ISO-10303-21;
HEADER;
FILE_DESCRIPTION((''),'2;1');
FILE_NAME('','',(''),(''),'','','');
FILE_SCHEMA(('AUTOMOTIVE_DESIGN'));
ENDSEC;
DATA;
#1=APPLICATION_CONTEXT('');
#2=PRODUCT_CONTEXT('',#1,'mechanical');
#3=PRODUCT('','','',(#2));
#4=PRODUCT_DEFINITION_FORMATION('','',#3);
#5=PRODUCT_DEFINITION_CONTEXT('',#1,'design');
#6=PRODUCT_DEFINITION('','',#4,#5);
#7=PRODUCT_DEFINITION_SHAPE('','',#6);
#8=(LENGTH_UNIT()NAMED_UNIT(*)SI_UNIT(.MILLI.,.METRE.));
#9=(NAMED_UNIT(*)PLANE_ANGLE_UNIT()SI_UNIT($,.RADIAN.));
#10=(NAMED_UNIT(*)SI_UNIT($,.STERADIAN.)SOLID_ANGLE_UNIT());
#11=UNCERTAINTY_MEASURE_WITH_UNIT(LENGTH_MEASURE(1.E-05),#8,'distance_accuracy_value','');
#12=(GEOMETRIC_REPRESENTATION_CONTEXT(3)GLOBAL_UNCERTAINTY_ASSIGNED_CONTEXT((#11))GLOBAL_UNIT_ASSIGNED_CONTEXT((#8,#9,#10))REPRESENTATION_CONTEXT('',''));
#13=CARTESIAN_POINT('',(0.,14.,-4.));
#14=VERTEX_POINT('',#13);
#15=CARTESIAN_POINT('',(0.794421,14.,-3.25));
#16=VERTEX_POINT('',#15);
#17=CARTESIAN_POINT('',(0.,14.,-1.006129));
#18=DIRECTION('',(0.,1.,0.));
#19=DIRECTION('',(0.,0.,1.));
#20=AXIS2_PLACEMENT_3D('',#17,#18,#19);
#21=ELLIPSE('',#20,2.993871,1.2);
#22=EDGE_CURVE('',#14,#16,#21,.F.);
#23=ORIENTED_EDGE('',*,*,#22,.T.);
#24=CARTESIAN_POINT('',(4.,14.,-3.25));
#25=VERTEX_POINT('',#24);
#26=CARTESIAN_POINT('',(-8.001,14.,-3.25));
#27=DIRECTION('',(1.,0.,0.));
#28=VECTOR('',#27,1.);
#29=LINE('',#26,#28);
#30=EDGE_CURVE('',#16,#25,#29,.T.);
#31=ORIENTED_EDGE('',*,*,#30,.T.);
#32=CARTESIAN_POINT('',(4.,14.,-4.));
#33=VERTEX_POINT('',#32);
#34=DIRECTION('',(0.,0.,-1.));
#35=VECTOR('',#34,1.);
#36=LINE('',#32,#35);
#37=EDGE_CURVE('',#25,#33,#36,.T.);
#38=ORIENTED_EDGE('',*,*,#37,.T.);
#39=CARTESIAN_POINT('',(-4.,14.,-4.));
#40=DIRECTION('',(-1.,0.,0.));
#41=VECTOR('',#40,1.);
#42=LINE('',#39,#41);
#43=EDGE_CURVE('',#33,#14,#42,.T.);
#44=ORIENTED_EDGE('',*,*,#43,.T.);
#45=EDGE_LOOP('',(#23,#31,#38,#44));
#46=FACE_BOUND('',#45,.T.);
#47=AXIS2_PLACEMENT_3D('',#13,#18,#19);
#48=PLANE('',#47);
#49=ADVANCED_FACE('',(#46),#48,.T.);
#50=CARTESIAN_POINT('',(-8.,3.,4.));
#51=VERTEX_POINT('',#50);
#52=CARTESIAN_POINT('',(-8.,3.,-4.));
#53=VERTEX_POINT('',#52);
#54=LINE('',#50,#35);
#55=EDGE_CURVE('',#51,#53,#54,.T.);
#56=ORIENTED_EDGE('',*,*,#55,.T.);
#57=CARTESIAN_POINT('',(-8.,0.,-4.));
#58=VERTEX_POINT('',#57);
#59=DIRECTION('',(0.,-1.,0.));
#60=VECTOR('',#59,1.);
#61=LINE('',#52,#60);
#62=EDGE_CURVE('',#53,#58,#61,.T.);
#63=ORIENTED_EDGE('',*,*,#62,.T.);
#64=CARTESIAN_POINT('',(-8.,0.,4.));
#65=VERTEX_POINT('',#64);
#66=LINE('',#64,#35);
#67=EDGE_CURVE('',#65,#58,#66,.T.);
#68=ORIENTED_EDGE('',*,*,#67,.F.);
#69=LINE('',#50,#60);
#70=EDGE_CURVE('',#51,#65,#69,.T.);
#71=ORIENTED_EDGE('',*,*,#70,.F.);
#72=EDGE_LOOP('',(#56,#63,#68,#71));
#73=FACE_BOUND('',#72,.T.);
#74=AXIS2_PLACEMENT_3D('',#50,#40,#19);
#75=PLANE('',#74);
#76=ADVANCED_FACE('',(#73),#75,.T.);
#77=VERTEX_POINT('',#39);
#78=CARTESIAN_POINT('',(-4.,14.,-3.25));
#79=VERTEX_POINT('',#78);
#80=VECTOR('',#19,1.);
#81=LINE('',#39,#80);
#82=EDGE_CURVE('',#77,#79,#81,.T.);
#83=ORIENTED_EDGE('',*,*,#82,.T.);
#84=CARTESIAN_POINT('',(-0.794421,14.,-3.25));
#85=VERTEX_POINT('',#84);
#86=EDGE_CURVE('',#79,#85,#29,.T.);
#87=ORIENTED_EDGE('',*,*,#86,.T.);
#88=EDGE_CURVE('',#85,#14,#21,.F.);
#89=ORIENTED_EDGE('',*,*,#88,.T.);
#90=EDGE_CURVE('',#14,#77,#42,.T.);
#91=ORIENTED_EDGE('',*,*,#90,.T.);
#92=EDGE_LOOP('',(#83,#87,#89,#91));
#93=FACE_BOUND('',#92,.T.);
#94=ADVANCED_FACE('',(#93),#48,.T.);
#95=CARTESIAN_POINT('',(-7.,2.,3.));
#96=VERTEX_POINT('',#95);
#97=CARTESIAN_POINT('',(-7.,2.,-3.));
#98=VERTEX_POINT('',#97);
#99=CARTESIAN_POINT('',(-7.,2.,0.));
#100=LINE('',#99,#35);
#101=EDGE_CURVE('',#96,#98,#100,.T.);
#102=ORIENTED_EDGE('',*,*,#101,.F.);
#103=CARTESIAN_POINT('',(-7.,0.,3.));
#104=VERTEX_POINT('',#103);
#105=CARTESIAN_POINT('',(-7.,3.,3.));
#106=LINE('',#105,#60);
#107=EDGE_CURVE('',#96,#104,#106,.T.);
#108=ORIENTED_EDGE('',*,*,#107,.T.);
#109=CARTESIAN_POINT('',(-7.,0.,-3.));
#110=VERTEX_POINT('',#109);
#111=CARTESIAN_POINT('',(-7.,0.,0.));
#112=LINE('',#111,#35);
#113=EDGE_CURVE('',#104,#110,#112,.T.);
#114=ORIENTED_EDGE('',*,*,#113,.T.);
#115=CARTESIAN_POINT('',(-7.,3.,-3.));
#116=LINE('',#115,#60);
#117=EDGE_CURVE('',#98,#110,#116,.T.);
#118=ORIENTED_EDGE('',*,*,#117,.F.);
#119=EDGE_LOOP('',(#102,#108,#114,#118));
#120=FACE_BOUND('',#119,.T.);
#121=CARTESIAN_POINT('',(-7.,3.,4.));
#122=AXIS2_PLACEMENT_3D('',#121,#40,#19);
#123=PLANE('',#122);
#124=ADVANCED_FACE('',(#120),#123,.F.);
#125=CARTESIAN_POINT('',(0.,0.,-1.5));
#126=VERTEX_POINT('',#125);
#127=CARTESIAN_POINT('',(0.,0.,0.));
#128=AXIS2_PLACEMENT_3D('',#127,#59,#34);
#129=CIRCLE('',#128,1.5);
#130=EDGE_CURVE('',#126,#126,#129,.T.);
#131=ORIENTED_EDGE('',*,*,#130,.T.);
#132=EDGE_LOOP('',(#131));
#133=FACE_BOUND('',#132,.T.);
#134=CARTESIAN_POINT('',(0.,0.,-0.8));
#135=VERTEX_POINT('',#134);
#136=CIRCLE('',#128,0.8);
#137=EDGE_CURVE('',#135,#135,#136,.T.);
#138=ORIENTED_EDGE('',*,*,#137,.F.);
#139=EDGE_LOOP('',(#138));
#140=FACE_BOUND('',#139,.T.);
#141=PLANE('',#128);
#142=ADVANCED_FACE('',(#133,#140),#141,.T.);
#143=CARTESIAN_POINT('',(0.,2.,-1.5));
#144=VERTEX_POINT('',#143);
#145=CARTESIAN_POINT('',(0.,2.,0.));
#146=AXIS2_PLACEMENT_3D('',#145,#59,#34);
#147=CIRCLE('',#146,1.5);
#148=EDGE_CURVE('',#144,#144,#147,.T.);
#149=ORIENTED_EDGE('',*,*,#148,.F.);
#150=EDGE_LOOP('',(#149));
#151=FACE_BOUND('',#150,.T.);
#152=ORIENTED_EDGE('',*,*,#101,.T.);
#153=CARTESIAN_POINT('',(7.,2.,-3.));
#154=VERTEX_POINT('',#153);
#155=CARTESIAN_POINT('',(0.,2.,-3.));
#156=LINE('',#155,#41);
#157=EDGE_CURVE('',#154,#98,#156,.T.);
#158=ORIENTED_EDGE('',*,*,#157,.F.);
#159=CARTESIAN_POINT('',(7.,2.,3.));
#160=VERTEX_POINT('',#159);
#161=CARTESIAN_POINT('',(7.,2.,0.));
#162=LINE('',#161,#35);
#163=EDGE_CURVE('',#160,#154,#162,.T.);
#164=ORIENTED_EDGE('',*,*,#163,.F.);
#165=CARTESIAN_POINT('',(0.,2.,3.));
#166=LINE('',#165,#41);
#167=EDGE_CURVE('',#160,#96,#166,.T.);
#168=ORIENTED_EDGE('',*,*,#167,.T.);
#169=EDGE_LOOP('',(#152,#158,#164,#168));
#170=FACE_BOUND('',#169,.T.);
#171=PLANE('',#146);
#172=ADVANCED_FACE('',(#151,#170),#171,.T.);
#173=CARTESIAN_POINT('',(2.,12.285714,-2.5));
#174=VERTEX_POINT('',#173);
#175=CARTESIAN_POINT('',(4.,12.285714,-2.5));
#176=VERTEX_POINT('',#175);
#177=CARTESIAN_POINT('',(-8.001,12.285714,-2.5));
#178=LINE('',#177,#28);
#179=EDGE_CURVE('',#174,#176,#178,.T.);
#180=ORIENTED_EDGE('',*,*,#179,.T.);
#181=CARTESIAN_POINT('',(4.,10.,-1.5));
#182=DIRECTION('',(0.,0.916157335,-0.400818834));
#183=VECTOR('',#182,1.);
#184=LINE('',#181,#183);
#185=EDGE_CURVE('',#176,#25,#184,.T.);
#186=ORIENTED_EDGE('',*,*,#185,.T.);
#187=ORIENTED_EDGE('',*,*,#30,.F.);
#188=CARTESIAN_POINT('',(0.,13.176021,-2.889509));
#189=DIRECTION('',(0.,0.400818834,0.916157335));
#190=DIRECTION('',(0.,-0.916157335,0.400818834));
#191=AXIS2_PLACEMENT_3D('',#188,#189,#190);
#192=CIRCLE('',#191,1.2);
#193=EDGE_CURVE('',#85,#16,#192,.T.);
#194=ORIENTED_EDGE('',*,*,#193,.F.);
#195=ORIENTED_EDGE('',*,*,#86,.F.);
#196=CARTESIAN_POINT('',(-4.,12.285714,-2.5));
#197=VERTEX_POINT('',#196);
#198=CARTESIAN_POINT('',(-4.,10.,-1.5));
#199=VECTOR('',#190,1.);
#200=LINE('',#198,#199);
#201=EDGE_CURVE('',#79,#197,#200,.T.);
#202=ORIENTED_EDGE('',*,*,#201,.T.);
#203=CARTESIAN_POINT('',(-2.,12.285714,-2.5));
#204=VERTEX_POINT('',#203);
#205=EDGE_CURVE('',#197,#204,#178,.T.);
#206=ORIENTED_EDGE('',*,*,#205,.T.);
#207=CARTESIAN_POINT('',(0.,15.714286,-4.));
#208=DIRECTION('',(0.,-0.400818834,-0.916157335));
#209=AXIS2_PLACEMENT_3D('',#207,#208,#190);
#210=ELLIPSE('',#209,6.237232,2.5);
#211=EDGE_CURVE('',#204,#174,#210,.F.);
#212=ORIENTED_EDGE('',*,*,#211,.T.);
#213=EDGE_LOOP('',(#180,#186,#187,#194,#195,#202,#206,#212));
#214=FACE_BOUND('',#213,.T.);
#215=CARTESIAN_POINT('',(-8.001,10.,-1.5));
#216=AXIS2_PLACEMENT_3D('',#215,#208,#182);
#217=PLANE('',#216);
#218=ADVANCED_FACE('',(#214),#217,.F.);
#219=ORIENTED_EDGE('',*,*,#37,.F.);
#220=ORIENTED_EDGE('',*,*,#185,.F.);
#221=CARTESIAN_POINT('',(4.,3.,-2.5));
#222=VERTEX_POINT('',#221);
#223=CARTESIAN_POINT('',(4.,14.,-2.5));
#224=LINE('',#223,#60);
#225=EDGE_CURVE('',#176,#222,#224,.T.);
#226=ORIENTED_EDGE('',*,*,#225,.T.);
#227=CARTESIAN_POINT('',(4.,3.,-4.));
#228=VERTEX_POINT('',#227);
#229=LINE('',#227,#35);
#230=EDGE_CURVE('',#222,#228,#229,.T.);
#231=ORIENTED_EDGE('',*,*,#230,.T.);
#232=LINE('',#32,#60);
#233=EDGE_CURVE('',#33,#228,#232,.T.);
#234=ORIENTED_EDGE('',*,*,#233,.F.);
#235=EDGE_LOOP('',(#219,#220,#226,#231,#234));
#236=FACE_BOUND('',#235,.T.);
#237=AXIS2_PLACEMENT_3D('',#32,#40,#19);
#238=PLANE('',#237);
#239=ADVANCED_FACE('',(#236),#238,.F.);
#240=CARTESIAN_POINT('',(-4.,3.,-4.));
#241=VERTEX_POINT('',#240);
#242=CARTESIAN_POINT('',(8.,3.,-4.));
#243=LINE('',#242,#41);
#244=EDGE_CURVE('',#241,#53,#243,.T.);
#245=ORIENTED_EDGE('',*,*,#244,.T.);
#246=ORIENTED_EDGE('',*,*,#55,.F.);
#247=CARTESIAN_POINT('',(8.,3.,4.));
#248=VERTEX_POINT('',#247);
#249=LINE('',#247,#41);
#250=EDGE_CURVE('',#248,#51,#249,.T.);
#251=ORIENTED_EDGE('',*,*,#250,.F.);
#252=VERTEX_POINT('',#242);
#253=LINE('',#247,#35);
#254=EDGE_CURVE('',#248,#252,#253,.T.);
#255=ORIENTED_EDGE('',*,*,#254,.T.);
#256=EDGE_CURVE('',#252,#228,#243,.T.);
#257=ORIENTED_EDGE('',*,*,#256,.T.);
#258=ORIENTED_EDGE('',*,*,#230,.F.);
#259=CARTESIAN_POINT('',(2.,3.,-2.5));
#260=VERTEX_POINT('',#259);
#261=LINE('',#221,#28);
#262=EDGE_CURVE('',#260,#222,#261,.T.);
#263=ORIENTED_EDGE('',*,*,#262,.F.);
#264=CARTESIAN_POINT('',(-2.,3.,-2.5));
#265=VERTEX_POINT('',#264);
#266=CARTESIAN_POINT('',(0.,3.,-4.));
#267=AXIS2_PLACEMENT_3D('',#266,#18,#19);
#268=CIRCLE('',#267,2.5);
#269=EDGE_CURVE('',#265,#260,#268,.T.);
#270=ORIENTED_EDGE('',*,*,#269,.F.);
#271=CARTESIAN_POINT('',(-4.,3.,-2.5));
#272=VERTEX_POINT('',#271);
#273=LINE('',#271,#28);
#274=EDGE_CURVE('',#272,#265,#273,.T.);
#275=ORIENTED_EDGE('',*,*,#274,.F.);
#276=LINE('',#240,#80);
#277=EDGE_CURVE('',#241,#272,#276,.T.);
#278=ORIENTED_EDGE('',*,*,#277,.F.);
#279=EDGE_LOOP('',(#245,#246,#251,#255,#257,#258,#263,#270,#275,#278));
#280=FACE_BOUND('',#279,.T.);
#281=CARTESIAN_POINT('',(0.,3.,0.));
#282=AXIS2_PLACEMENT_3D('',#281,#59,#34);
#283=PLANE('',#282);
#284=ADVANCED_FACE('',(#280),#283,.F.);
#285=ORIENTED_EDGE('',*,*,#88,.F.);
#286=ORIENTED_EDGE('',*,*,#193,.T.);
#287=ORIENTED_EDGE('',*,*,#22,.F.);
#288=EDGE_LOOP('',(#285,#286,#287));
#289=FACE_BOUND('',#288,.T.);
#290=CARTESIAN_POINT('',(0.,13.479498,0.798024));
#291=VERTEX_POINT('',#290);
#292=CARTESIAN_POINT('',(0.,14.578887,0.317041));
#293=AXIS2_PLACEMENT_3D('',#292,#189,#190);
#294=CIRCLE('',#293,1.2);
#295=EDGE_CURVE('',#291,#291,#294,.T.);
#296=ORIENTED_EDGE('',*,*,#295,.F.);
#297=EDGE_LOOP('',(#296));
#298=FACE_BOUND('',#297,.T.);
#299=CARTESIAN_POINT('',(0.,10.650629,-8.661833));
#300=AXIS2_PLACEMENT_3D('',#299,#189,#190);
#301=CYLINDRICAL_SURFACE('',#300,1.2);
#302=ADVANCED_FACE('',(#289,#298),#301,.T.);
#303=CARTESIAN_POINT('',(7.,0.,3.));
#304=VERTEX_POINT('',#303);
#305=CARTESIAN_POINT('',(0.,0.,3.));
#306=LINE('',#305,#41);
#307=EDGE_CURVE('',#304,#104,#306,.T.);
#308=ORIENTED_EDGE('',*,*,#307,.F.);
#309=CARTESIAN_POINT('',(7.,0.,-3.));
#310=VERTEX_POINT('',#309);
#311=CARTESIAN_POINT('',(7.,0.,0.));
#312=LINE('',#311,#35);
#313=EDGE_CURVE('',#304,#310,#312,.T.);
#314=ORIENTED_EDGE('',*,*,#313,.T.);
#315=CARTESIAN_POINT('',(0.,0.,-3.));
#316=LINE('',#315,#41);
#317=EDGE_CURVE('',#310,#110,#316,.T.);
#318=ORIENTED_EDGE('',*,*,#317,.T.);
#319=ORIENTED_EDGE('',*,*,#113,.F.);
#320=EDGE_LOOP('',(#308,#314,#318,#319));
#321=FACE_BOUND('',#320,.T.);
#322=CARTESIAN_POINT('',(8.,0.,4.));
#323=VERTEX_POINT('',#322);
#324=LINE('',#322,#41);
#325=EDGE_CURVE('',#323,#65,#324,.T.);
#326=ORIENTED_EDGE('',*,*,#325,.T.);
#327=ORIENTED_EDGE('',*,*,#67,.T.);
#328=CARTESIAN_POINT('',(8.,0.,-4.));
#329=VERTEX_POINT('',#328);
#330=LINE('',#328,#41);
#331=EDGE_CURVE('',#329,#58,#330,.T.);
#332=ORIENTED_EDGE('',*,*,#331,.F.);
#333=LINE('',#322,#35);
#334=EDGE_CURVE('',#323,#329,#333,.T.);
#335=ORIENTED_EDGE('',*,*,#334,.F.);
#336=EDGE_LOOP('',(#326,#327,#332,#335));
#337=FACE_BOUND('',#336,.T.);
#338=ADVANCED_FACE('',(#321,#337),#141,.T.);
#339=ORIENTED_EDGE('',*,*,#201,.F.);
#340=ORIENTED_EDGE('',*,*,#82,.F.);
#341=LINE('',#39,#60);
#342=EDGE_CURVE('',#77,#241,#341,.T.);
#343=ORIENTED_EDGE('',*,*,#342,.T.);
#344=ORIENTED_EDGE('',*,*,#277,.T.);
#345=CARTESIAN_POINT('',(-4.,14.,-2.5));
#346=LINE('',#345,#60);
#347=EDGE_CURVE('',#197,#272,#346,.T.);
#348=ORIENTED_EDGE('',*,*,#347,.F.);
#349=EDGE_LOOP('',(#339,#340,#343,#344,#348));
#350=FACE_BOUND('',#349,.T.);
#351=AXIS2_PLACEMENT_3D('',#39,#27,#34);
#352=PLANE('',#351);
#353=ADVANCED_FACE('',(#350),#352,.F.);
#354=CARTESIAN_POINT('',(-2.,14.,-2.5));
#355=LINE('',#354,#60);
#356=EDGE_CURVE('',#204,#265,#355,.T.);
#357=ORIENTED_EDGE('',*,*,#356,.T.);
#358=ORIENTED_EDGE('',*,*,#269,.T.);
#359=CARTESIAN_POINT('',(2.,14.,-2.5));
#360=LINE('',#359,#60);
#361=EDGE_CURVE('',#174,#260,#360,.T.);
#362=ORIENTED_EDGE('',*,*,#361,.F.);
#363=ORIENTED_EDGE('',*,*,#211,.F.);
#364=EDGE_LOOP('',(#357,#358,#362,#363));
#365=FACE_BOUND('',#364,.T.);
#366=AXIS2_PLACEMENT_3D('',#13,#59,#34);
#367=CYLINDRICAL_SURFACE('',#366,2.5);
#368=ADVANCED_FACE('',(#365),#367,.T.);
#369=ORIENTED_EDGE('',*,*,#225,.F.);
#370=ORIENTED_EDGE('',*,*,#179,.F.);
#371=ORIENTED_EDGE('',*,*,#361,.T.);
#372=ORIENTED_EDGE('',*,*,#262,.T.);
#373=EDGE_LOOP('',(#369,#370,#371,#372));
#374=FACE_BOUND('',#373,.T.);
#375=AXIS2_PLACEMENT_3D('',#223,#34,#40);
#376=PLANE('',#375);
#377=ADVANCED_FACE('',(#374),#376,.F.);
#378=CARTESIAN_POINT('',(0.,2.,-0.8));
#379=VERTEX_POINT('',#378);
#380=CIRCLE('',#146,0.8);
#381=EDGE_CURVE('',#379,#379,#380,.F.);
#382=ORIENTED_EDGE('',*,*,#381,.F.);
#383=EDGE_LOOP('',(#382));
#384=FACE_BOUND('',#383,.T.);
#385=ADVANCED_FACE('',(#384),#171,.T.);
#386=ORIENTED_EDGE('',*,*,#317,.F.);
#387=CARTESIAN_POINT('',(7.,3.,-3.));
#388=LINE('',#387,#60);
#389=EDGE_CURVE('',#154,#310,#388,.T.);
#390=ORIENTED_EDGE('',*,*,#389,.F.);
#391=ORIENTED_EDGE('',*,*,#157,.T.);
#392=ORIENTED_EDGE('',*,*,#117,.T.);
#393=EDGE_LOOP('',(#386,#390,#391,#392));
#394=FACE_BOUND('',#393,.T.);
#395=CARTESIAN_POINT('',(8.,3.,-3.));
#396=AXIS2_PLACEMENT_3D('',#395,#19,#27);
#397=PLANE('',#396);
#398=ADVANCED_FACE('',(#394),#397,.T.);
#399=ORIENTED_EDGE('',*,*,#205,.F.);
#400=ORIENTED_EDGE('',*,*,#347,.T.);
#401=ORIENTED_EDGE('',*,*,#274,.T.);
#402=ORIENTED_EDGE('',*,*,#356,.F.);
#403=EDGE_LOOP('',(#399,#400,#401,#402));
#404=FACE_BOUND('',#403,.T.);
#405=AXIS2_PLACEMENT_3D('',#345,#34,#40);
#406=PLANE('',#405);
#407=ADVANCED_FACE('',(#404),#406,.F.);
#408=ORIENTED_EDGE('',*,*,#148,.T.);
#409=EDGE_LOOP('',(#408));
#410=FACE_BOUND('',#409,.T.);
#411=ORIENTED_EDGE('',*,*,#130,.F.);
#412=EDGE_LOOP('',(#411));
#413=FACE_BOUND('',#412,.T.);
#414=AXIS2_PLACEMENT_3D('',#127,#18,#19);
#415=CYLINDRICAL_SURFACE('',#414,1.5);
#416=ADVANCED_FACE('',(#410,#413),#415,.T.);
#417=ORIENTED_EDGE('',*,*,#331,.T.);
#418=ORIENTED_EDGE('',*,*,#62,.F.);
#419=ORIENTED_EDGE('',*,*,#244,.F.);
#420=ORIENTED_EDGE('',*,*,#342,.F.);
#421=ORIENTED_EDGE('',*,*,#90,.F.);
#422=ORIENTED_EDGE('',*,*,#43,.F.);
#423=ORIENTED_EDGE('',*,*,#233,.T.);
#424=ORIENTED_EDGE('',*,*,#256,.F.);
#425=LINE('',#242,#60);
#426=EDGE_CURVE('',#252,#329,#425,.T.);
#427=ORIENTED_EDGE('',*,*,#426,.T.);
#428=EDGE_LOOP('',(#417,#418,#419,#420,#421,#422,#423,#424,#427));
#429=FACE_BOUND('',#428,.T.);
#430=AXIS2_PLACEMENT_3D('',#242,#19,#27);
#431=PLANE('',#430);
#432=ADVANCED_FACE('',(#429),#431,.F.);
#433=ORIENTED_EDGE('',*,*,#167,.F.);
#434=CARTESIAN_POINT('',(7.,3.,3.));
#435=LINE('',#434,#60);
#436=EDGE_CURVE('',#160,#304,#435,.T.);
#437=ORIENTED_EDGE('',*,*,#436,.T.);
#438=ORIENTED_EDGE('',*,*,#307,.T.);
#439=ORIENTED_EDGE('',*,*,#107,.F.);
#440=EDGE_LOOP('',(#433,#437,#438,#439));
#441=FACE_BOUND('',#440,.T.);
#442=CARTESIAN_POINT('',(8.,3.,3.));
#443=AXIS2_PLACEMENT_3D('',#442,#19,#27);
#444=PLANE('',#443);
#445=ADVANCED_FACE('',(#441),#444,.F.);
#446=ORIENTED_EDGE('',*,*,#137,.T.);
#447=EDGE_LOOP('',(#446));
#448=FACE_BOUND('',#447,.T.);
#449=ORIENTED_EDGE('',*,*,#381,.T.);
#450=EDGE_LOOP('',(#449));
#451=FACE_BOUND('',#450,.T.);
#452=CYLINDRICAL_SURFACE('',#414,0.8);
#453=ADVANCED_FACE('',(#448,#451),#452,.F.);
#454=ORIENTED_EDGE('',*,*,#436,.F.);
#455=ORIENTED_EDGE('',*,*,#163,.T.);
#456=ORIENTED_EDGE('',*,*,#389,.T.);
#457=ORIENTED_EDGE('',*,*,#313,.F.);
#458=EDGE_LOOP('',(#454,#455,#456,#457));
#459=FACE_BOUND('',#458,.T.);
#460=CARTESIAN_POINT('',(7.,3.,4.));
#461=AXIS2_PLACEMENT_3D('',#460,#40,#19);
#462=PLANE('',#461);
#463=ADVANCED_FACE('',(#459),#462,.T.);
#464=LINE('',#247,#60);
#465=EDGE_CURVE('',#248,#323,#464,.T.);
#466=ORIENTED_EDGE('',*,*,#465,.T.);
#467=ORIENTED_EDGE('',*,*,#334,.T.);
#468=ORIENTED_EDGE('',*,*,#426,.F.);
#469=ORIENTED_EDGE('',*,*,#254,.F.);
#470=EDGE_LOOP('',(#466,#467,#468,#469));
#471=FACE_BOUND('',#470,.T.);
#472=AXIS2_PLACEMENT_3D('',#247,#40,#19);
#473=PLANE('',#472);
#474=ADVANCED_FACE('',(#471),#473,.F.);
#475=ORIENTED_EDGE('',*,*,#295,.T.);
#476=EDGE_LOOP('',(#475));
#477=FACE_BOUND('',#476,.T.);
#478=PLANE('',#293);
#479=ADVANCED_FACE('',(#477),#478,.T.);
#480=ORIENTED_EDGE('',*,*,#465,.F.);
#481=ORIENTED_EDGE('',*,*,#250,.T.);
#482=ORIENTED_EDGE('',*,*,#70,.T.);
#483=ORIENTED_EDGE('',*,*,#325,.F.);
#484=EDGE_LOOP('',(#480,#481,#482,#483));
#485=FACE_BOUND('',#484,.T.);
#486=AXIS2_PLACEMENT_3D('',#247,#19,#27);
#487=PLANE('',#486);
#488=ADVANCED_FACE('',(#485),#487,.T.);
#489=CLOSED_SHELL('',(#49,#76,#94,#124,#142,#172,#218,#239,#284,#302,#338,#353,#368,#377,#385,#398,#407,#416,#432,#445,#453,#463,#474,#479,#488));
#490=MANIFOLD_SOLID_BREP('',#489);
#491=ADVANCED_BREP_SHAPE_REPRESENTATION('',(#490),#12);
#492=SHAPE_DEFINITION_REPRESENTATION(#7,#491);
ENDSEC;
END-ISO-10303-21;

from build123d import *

# Parameters (mm, degrees)
SKETCH1_W                       = 16
SKETCH1_H                       = 8
BOSS_EXTRUDE1_DEPTH             = 3
SHELL1_T                        = -1
SKETCH3_R                       = 1.5
SKETCH3_R_2                     = 0.8
BOSS_EXTRUDE2_DEPTH             = 2
BOSS_EXTRUDE3_DEPTH             = 11
CUT_EXTRUDE1_REACH              = 20.868
SKETCH6_R                       = 1.2
BOSS_EXTRUDE5_DEPTH             = 3.5
BOSS_EXTRUDE5_DIRECTION_2_REACH = 18.513


with BuildPart() as part:
    # Sketch1 → Boss-Extrude1 (new body)
    with BuildSketch(Plane(origin=(0, 0, 0), x_dir=(1, 0, 0), z_dir=(0, 1, 0))):
        Rectangle(SKETCH1_W, SKETCH1_H)
    extrude(amount=BOSS_EXTRUDE1_DEPTH)

    # Shell1
    shell1_openings = [part.faces().sort_by_distance(p)[0] for p in [
        (0, 0, 0),
    ]]
    offset(amount=SHELL1_T, openings=shell1_openings, kind=Kind.INTERSECTION)

    # Sketch3 → Boss-Extrude2 (add)
    with BuildSketch(Plane.XZ.offset(-2)):
        with Locations(Location((0, 0, 0), (0, 0, 270))):
            Circle(SKETCH3_R)
        with Locations(Location((0, 0, 0), (0, 0, 270))):
            Circle(SKETCH3_R_2, mode=Mode.SUBTRACT)
    extrude(amount=BOSS_EXTRUDE2_DEPTH)

    # Sketch4 → Boss-Extrude3 (add)
    with BuildSketch(Plane(origin=(0, 3, 0), x_dir=(1, 0, 0), z_dir=(0, 1, 0))):
        with BuildLine():
            Line((-4, 4), (4, 4))
            Line((4, 4), (4, 2.5))
            Line((4, 2.5), (2, 2.5))
            ThreePointArc((2, 2.5), (0, 1.5), (-2, 2.5))
            Line((-2, 2.5), (-4, 2.5))
            Line((-4, 2.5), (-4, 4))
        make_face()
    extrude(amount=BOSS_EXTRUDE3_DEPTH)

    # Sketch5 → Cut-Extrude1 (cut, up to next)
    with BuildSketch(Plane(origin=(4, 0, 0), x_dir=(0, 0, -1), z_dir=(1, 0, 0)), mode=Mode.PRIVATE) as cut_extrude1_sk1:
        Polygon((3.25, 14), (1.5, 14), (1.5, 10), align=None)
    cut_extrude1_tool1 = extrude(cut_extrude1_sk1.sketch, amount=-CUT_EXTRUDE1_REACH, mode=Mode.PRIVATE) & part.part
    add(cut_extrude1_tool1.solids().sort_by_distance((4, 12.666667, -2.083333))[0], mode=Mode.SUBTRACT)

    # Sketch6 → Boss-Extrude5 (add)
    with BuildSketch(Plane(origin=(0, 1.055737705, 2.413114754), x_dir=(1, 0, 0), z_dir=(0, 0.400818834019708, 0.9161573349021891))):
        with Locations(Location((0, 13.229478025, 0), (0, 0, 270))):
            Circle(SKETCH6_R)
    extrude(amount=BOSS_EXTRUDE5_DEPTH)

    # Sketch6 → Boss-Extrude5 direction 2 (add, up to next)
    with BuildSketch(Plane(origin=(0, 1.055737705, 2.413114754), x_dir=(1, 0, 0), z_dir=(0, 0.400818834019708, 0.9161573349021891)), mode=Mode.PRIVATE) as boss_extrude5_direction_2_sk1:
        with Locations(Location((0, 13.229478025, 0), (0, 0, 270))):
            Circle(SKETCH6_R)
    boss_extrude5_direction_2_tool1 = extrude(boss_extrude5_direction_2_sk1.sketch, amount=-BOSS_EXTRUDE5_DIRECTION_2_REACH, mode=Mode.PRIVATE) - part.part
    add(boss_extrude5_direction_2_tool1.solids().sort_by_distance((0, 13.176021, -2.889509))[0])


solid = part.part
